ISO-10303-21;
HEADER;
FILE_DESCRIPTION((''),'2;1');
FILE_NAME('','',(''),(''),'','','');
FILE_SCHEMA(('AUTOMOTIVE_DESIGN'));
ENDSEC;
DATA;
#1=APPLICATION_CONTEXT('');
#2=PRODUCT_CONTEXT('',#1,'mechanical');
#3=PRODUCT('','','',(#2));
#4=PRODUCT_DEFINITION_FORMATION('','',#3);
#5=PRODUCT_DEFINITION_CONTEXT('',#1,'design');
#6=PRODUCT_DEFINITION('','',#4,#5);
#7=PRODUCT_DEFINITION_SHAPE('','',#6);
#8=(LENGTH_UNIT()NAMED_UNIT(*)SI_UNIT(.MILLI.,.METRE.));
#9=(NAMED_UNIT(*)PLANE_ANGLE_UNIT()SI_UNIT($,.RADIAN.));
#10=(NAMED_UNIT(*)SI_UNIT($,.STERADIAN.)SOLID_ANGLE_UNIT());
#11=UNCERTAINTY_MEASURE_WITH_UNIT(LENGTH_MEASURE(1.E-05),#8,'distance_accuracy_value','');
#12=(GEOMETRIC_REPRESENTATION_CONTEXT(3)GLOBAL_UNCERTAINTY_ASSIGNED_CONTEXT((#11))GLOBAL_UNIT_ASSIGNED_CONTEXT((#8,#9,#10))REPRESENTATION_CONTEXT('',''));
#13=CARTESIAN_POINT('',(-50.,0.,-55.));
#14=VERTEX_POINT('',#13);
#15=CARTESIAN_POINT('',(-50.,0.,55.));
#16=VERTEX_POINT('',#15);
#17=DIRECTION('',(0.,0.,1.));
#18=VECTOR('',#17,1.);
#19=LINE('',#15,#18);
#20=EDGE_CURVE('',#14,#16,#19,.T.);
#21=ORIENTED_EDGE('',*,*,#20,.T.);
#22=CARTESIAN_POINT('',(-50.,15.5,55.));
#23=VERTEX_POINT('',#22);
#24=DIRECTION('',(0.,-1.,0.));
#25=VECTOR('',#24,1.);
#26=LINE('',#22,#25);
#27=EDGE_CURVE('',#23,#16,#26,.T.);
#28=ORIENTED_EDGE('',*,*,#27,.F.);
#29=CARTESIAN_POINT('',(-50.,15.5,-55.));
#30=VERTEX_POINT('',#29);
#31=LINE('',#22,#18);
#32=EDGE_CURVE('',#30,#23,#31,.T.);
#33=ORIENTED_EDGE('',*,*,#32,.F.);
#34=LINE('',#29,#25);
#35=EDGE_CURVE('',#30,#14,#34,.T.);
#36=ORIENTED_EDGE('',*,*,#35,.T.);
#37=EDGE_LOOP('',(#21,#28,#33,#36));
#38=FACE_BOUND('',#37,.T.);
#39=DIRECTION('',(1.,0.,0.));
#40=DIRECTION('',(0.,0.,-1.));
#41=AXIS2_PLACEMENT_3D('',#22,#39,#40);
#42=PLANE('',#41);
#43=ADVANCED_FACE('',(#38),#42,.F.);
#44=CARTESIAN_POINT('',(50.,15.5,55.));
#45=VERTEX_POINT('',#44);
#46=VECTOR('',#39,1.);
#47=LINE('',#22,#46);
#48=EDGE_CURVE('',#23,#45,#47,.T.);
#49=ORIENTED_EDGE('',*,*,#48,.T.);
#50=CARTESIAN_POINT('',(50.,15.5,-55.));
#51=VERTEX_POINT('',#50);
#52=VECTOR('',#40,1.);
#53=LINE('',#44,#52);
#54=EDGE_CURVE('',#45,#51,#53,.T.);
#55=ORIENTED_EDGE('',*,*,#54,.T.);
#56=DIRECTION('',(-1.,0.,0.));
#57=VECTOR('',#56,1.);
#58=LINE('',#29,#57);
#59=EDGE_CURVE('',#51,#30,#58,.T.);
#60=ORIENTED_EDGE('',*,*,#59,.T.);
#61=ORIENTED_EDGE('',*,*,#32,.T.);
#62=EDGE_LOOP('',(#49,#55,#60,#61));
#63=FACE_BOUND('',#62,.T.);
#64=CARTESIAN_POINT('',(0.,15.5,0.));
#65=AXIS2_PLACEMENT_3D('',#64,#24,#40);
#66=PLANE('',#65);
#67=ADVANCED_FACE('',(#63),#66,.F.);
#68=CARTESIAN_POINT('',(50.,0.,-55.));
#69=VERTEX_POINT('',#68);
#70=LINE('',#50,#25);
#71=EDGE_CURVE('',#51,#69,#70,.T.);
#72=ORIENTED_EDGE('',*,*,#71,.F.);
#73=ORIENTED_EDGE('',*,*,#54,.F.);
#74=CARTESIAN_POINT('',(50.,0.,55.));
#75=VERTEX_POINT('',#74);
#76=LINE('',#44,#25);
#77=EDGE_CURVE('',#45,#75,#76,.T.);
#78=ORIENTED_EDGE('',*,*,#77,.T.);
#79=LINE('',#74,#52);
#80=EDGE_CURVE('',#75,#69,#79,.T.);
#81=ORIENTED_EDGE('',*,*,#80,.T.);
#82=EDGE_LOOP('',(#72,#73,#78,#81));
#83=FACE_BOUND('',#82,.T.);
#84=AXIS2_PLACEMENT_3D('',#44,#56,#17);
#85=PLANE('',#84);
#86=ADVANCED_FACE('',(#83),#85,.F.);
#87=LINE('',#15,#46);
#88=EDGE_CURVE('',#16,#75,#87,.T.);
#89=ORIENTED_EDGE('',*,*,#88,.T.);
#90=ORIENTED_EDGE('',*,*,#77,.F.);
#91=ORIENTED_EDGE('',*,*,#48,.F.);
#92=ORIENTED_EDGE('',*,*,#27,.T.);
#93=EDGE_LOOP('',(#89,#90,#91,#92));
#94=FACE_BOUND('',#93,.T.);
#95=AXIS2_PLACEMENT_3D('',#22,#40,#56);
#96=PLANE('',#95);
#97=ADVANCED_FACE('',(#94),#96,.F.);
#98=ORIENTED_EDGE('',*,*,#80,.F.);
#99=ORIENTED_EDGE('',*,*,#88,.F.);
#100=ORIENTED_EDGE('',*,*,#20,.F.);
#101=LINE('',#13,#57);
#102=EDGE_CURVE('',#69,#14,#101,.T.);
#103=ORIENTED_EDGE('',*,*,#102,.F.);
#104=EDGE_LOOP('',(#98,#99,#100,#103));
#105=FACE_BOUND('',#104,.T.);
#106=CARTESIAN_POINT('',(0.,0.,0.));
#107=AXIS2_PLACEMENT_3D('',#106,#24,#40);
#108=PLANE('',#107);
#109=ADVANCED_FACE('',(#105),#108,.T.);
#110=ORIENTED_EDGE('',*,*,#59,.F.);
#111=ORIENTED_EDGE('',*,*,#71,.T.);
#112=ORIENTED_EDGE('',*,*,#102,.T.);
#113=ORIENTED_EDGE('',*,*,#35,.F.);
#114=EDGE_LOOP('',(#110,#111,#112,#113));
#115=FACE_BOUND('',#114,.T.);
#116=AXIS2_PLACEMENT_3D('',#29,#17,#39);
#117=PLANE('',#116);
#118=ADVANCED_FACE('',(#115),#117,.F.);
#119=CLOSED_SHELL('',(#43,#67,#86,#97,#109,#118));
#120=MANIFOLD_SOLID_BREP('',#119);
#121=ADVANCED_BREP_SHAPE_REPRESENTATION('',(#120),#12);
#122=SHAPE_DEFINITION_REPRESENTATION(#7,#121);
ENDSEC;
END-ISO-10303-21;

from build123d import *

# Parameters (mm, degrees)
SKETCH1_W                   = 100
SKETCH1_H                   = 110
GEAR_PUMP_RISER_BLANK_DEPTH = 15.5


with BuildPart() as part:
    # Sketch1 → Gear_pump_riser_blank (new body)
    with BuildSketch(Plane(origin=(0, 0, 0), x_dir=(1, 0, 0), z_dir=(0, 1, 0))):
        Rectangle(SKETCH1_W, SKETCH1_H)
    extrude(amount=GEAR_PUMP_RISER_BLANK_DEPTH)


solid = part.part
